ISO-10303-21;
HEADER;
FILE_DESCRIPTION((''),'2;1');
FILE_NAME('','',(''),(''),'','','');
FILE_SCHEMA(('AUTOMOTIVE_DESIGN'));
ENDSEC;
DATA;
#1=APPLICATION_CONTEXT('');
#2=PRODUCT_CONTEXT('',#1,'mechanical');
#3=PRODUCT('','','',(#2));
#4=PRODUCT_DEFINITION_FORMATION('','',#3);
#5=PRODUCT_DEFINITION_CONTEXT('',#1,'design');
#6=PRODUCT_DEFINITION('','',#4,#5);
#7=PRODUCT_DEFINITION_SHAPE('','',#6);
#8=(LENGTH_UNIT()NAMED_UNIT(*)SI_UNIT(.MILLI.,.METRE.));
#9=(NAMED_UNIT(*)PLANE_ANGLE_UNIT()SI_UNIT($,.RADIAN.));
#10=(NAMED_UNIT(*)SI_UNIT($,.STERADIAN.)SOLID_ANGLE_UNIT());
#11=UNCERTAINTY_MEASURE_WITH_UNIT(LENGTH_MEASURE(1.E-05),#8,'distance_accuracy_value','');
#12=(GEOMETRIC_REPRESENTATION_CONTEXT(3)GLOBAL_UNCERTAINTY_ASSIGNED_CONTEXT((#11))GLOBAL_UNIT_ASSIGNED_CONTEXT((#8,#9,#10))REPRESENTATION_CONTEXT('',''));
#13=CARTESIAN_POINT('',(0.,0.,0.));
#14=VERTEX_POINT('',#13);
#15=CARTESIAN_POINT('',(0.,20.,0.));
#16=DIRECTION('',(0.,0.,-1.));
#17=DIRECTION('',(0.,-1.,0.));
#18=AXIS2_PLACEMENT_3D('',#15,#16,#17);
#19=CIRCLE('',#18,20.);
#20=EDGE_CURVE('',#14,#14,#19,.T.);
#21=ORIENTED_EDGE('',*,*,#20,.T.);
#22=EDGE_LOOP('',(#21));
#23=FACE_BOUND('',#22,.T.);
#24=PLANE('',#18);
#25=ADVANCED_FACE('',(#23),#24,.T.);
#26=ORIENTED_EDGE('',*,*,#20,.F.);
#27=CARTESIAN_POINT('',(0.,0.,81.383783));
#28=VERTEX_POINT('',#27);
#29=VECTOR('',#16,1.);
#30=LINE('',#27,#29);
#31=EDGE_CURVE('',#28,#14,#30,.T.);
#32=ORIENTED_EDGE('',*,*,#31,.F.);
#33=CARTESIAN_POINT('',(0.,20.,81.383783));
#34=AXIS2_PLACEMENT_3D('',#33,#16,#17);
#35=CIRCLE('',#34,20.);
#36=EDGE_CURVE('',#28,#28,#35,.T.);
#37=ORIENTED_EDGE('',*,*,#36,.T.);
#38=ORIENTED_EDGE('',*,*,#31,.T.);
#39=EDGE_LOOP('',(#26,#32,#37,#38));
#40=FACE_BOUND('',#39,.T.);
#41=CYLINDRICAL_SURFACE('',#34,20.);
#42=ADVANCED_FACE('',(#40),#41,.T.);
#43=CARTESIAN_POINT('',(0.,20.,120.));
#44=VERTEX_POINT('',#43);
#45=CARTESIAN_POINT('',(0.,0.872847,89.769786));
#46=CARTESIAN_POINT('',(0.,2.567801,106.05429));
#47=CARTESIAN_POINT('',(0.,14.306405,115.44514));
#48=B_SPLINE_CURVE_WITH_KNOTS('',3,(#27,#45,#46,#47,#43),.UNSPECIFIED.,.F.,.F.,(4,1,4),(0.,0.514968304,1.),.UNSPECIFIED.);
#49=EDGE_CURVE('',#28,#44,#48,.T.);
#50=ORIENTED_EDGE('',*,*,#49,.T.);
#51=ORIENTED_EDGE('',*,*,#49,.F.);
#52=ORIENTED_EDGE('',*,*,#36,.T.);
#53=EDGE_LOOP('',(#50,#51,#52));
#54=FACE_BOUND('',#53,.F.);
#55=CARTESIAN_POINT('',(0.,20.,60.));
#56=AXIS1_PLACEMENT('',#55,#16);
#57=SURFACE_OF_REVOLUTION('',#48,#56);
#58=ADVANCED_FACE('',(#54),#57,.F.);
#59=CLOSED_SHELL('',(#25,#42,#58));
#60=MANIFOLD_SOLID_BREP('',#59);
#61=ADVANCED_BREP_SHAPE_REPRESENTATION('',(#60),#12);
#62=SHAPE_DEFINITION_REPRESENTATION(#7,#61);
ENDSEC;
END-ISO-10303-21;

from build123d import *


with BuildPart() as f1:
    # F0 (on Right) → F1 (revolve)
    with BuildSketch(Plane.YZ):
        with BuildLine():
            Line((0, 81.3837827136), (0, 0))
            Line((0, 0), (20, 0))
            Line((20, 0), (20, 120))
            add(Edge.make_bspline(
                [(0, 81.3837827136), (0.8728472306, 89.7697860982), (2.5678005375, 106.0542900395), (14.3064048484, 115.4451400819), (20, 120)],
                knots=[0, 0, 0, 0, 0.5149683045, 1, 1, 1, 1], degree=3))
        make_face()
    revolve(axis=Axis((0, 20, 60), (0, 0, -1)))


solid = f1.part
